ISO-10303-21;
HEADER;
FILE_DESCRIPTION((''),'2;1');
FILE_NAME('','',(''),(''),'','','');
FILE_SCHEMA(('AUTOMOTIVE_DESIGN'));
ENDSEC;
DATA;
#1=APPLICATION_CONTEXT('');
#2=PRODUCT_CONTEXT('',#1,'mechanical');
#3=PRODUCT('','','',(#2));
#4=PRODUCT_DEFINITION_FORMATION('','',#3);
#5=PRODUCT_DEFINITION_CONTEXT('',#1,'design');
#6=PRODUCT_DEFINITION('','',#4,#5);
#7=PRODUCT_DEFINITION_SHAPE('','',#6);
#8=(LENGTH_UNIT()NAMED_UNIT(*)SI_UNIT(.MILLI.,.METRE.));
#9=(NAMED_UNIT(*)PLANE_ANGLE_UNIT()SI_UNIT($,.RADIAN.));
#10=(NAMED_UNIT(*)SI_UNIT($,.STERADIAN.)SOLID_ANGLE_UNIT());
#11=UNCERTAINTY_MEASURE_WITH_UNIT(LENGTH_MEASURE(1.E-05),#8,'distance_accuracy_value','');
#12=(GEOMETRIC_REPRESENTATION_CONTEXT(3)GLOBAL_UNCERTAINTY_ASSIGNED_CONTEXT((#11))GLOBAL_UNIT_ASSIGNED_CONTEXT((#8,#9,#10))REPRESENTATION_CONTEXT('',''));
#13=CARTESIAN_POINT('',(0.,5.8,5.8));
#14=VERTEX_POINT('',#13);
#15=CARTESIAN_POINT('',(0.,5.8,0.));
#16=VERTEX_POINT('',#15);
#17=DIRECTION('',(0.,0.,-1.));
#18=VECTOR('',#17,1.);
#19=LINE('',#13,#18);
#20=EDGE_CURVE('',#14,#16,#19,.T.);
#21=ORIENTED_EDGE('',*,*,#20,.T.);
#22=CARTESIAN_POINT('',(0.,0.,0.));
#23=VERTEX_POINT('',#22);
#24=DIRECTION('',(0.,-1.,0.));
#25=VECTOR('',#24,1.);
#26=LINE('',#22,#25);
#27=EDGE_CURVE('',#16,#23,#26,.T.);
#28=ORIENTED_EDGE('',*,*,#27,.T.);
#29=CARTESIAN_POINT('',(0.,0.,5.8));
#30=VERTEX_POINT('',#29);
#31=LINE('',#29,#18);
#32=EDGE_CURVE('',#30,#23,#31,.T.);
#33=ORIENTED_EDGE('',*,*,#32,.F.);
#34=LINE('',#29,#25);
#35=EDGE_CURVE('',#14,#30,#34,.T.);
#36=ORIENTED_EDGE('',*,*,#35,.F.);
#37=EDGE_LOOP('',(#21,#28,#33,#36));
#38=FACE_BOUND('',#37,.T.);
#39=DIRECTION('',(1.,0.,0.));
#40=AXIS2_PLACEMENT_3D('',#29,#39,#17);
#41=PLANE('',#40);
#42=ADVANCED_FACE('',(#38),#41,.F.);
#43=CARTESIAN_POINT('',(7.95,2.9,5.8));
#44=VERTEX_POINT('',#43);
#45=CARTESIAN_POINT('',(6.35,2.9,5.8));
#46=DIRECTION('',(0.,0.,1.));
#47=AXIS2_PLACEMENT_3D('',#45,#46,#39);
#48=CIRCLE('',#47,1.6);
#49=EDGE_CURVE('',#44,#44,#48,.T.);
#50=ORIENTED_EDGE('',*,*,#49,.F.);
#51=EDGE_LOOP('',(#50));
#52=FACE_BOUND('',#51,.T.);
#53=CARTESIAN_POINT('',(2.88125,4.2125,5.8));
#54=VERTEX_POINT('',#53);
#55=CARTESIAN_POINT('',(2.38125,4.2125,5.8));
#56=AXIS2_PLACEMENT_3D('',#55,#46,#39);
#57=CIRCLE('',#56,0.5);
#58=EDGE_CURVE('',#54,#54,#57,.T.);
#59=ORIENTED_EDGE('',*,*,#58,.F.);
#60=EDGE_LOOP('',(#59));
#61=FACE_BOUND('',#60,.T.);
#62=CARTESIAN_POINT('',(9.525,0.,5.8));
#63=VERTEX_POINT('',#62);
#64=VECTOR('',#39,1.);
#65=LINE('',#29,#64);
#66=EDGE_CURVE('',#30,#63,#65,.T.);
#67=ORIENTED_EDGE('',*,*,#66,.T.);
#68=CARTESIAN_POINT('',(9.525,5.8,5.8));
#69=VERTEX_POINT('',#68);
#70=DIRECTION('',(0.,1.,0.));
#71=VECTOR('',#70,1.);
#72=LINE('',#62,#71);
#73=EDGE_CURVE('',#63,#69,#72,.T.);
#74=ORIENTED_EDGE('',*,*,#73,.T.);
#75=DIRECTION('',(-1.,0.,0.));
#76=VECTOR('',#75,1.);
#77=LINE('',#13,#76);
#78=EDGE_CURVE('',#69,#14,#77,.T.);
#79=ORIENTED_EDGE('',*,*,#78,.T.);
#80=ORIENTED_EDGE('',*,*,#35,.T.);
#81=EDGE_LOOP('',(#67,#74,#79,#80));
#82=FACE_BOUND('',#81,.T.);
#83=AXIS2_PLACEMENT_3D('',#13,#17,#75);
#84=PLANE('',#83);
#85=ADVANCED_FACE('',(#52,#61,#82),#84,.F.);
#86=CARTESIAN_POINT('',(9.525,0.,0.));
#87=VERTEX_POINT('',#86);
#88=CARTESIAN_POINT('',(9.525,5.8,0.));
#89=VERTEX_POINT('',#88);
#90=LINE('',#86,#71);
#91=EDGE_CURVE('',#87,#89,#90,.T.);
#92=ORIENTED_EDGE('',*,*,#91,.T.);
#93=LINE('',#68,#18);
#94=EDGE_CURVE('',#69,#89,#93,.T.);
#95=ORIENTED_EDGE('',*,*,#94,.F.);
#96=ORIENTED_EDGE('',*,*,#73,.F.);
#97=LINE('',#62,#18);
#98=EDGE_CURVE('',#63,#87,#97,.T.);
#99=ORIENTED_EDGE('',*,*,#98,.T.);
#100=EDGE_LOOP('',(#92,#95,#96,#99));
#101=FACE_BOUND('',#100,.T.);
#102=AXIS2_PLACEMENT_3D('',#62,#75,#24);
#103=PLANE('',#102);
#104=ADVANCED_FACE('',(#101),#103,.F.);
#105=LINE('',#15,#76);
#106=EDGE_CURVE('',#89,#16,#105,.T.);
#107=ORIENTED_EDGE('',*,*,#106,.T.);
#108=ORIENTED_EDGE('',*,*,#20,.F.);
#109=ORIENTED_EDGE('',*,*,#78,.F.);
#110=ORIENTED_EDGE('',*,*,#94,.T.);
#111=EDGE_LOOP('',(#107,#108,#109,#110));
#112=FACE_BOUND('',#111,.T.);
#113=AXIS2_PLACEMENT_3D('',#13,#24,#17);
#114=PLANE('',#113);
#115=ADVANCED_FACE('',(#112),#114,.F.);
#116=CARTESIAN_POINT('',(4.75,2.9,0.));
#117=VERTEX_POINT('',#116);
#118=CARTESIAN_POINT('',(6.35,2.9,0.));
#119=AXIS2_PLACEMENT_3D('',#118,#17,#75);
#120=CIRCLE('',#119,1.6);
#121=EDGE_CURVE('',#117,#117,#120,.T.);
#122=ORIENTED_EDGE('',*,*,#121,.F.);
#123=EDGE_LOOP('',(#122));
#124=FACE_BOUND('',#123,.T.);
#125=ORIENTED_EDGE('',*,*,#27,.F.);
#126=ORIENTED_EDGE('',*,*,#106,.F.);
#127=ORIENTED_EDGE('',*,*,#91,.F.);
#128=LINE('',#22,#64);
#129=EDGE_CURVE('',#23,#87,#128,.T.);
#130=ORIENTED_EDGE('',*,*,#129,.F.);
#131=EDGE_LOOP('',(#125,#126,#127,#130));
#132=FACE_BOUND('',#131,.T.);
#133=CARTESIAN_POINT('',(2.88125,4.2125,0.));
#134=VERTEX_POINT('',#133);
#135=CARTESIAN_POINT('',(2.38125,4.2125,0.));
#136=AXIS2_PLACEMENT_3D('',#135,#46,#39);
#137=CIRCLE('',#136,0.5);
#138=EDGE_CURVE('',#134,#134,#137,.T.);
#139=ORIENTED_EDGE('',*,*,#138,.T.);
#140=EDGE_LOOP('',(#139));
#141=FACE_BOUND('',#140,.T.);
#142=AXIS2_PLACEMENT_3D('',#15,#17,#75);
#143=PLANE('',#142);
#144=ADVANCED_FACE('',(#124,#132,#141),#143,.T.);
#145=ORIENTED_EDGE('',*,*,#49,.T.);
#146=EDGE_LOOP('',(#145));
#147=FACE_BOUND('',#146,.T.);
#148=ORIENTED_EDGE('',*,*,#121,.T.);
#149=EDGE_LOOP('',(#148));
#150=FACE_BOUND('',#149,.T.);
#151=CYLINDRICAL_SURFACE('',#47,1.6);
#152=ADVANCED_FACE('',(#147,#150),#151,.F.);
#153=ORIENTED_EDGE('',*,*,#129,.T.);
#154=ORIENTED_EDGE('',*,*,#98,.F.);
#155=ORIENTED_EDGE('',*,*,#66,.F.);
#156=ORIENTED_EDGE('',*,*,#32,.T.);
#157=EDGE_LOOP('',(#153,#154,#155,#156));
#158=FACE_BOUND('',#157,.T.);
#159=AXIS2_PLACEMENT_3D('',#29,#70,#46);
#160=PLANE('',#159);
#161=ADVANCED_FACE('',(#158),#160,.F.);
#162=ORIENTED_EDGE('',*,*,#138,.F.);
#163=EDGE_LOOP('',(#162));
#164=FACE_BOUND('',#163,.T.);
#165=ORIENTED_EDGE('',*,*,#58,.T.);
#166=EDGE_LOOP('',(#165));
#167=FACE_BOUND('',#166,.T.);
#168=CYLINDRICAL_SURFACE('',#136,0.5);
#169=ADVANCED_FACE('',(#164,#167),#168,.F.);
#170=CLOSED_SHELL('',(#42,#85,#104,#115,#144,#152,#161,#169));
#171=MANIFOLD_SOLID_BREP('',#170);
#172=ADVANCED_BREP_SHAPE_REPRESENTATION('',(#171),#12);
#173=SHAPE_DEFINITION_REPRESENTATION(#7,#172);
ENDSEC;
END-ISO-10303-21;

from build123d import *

# Parameters (mm, degrees)
SKETCH1_W                = 9.525
SKETCH1_H                = 5.8
BOSS_EXTRUDE1_DEPTH      = 5.8
M3_CLEARANCE_HOLE1_D     = 3.2
M3_CLEARANCE_HOLE1_DEPTH = 12.7
M3_CLEARANCE_HOLE1_TIP   = 0.96137699
SKETCH5_R                = 0.5
CUT_EXTRUDE1_DEPTH       = 5.8


with BuildPart() as part:
    # Sketch1 → Boss-Extrude1 (new body)
    with BuildSketch(Plane.XY):
        with Locations((4.7625, 2.9)):
            Rectangle(SKETCH1_W, SKETCH1_H)
    extrude(amount=BOSS_EXTRUDE1_DEPTH)

    # M3 Clearance Hole1
    with Locations(Plane.XY.offset(5.8)):
        with Locations((6.35, 2.9)):
            Hole(M3_CLEARANCE_HOLE1_D / 2, depth=M3_CLEARANCE_HOLE1_DEPTH)
            with Locations((0, 0, -(M3_CLEARANCE_HOLE1_DEPTH + M3_CLEARANCE_HOLE1_TIP / 2))):  # 118° drill point
                Cone(0, M3_CLEARANCE_HOLE1_D / 2, M3_CLEARANCE_HOLE1_TIP, mode=Mode.SUBTRACT)

    # Sketch5 → Cut-Extrude1 (cut)
    with BuildSketch(Plane.XY.offset(5.8)):
        with Locations((2.38125, 4.2125)):
            Circle(SKETCH5_R)
    extrude(amount=-CUT_EXTRUDE1_DEPTH, mode=Mode.SUBTRACT)


solid = part.part
